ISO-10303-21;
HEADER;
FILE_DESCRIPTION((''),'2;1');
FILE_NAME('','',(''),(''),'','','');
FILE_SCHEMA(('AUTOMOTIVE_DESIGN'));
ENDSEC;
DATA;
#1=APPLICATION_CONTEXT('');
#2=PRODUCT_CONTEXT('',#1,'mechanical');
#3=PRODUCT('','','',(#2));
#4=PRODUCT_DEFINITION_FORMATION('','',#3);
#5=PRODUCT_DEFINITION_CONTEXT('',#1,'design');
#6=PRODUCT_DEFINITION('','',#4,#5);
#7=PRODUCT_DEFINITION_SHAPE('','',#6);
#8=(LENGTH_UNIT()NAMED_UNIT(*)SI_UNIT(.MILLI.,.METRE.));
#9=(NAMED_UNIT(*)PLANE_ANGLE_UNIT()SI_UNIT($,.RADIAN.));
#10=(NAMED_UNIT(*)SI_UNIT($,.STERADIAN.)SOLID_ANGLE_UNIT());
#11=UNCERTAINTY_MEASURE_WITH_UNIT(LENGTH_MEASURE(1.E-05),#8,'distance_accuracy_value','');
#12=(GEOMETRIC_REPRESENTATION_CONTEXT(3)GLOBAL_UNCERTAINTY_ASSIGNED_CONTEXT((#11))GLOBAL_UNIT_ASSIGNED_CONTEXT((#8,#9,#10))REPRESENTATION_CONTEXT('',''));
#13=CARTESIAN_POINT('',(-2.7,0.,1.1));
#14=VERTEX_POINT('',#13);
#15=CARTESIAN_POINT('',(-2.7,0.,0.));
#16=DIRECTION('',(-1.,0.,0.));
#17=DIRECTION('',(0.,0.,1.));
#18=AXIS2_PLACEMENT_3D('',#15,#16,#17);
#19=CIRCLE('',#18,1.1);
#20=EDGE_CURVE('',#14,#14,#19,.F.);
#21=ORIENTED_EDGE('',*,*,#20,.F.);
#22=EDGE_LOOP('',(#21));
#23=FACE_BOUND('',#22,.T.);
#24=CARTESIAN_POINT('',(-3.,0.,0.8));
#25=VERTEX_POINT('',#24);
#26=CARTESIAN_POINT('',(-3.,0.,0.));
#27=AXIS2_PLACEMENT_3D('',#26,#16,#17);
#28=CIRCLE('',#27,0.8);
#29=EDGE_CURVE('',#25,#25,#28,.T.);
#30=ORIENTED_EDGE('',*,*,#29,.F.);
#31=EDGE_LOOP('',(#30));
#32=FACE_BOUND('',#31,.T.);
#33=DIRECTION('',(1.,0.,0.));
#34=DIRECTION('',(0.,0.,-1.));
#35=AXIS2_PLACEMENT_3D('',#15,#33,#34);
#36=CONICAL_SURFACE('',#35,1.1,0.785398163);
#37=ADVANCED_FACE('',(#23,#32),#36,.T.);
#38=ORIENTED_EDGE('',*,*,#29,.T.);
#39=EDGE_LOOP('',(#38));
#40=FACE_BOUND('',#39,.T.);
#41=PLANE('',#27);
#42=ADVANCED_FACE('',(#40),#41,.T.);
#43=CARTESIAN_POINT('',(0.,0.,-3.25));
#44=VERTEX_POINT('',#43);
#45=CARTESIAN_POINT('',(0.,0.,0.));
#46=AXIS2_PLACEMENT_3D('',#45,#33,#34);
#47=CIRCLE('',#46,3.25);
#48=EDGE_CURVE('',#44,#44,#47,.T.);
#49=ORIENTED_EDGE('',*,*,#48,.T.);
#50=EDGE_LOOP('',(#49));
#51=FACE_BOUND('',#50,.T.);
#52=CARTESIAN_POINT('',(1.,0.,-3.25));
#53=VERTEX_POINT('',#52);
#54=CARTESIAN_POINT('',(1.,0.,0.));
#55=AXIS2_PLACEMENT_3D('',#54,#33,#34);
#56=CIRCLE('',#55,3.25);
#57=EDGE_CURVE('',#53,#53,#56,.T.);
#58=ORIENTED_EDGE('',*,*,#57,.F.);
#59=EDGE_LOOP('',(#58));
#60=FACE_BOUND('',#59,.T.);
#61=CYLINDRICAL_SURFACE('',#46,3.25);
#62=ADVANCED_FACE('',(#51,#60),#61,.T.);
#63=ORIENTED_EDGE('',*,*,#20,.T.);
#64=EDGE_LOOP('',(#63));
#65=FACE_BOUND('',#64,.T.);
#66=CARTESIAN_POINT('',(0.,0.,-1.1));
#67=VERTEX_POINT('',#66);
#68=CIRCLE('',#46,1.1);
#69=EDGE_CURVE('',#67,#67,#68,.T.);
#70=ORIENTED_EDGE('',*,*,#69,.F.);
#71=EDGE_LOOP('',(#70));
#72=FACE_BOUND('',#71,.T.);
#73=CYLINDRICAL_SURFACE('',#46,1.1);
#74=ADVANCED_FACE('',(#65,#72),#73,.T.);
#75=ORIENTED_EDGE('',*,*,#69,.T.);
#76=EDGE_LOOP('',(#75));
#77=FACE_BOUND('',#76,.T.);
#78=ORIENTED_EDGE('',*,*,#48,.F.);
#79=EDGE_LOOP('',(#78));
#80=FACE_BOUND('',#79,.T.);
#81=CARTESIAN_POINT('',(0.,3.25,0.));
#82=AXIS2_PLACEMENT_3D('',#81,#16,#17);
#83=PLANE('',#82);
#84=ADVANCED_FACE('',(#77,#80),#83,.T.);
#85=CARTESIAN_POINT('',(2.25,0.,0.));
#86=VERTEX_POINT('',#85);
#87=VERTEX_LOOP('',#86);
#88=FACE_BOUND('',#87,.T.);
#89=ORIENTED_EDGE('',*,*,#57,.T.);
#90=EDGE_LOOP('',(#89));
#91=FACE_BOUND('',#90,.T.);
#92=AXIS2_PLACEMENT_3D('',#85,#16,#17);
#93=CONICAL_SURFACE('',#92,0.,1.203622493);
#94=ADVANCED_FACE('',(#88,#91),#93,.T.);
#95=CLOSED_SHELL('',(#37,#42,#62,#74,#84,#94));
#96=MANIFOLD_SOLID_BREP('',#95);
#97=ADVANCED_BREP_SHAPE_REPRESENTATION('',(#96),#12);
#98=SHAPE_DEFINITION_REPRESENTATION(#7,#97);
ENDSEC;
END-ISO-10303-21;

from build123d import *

# Parameters (mm, degrees)
CHAMFER2_SIZE = 0.3


with BuildPart() as part:
    # Sketch1 → Revolve1 (revolve)
    with BuildSketch(Plane.XY, mode=Mode.PRIVATE) as revolve1_sk:
        Polygon((2.25, 0), (1, 3.25), (0, 3.25), (0, 1.1), (-3, 1.1), (-3, 0), (0, 0), align=None)
    revolve(revolve1_sk.sketch.rotate(Axis((0, 0, 0), (-1, 0, 0)), 90), axis=Axis((0, 0, 0), (-1, 0, 0)))

    # Chamfer2
    chamfer2_edges = [part.edges().sort_by_distance(p)[0] for p in [
        (-3, 0, 1.1),
    ]]
    chamfer(chamfer2_edges, length=CHAMFER2_SIZE)


solid = part.part
